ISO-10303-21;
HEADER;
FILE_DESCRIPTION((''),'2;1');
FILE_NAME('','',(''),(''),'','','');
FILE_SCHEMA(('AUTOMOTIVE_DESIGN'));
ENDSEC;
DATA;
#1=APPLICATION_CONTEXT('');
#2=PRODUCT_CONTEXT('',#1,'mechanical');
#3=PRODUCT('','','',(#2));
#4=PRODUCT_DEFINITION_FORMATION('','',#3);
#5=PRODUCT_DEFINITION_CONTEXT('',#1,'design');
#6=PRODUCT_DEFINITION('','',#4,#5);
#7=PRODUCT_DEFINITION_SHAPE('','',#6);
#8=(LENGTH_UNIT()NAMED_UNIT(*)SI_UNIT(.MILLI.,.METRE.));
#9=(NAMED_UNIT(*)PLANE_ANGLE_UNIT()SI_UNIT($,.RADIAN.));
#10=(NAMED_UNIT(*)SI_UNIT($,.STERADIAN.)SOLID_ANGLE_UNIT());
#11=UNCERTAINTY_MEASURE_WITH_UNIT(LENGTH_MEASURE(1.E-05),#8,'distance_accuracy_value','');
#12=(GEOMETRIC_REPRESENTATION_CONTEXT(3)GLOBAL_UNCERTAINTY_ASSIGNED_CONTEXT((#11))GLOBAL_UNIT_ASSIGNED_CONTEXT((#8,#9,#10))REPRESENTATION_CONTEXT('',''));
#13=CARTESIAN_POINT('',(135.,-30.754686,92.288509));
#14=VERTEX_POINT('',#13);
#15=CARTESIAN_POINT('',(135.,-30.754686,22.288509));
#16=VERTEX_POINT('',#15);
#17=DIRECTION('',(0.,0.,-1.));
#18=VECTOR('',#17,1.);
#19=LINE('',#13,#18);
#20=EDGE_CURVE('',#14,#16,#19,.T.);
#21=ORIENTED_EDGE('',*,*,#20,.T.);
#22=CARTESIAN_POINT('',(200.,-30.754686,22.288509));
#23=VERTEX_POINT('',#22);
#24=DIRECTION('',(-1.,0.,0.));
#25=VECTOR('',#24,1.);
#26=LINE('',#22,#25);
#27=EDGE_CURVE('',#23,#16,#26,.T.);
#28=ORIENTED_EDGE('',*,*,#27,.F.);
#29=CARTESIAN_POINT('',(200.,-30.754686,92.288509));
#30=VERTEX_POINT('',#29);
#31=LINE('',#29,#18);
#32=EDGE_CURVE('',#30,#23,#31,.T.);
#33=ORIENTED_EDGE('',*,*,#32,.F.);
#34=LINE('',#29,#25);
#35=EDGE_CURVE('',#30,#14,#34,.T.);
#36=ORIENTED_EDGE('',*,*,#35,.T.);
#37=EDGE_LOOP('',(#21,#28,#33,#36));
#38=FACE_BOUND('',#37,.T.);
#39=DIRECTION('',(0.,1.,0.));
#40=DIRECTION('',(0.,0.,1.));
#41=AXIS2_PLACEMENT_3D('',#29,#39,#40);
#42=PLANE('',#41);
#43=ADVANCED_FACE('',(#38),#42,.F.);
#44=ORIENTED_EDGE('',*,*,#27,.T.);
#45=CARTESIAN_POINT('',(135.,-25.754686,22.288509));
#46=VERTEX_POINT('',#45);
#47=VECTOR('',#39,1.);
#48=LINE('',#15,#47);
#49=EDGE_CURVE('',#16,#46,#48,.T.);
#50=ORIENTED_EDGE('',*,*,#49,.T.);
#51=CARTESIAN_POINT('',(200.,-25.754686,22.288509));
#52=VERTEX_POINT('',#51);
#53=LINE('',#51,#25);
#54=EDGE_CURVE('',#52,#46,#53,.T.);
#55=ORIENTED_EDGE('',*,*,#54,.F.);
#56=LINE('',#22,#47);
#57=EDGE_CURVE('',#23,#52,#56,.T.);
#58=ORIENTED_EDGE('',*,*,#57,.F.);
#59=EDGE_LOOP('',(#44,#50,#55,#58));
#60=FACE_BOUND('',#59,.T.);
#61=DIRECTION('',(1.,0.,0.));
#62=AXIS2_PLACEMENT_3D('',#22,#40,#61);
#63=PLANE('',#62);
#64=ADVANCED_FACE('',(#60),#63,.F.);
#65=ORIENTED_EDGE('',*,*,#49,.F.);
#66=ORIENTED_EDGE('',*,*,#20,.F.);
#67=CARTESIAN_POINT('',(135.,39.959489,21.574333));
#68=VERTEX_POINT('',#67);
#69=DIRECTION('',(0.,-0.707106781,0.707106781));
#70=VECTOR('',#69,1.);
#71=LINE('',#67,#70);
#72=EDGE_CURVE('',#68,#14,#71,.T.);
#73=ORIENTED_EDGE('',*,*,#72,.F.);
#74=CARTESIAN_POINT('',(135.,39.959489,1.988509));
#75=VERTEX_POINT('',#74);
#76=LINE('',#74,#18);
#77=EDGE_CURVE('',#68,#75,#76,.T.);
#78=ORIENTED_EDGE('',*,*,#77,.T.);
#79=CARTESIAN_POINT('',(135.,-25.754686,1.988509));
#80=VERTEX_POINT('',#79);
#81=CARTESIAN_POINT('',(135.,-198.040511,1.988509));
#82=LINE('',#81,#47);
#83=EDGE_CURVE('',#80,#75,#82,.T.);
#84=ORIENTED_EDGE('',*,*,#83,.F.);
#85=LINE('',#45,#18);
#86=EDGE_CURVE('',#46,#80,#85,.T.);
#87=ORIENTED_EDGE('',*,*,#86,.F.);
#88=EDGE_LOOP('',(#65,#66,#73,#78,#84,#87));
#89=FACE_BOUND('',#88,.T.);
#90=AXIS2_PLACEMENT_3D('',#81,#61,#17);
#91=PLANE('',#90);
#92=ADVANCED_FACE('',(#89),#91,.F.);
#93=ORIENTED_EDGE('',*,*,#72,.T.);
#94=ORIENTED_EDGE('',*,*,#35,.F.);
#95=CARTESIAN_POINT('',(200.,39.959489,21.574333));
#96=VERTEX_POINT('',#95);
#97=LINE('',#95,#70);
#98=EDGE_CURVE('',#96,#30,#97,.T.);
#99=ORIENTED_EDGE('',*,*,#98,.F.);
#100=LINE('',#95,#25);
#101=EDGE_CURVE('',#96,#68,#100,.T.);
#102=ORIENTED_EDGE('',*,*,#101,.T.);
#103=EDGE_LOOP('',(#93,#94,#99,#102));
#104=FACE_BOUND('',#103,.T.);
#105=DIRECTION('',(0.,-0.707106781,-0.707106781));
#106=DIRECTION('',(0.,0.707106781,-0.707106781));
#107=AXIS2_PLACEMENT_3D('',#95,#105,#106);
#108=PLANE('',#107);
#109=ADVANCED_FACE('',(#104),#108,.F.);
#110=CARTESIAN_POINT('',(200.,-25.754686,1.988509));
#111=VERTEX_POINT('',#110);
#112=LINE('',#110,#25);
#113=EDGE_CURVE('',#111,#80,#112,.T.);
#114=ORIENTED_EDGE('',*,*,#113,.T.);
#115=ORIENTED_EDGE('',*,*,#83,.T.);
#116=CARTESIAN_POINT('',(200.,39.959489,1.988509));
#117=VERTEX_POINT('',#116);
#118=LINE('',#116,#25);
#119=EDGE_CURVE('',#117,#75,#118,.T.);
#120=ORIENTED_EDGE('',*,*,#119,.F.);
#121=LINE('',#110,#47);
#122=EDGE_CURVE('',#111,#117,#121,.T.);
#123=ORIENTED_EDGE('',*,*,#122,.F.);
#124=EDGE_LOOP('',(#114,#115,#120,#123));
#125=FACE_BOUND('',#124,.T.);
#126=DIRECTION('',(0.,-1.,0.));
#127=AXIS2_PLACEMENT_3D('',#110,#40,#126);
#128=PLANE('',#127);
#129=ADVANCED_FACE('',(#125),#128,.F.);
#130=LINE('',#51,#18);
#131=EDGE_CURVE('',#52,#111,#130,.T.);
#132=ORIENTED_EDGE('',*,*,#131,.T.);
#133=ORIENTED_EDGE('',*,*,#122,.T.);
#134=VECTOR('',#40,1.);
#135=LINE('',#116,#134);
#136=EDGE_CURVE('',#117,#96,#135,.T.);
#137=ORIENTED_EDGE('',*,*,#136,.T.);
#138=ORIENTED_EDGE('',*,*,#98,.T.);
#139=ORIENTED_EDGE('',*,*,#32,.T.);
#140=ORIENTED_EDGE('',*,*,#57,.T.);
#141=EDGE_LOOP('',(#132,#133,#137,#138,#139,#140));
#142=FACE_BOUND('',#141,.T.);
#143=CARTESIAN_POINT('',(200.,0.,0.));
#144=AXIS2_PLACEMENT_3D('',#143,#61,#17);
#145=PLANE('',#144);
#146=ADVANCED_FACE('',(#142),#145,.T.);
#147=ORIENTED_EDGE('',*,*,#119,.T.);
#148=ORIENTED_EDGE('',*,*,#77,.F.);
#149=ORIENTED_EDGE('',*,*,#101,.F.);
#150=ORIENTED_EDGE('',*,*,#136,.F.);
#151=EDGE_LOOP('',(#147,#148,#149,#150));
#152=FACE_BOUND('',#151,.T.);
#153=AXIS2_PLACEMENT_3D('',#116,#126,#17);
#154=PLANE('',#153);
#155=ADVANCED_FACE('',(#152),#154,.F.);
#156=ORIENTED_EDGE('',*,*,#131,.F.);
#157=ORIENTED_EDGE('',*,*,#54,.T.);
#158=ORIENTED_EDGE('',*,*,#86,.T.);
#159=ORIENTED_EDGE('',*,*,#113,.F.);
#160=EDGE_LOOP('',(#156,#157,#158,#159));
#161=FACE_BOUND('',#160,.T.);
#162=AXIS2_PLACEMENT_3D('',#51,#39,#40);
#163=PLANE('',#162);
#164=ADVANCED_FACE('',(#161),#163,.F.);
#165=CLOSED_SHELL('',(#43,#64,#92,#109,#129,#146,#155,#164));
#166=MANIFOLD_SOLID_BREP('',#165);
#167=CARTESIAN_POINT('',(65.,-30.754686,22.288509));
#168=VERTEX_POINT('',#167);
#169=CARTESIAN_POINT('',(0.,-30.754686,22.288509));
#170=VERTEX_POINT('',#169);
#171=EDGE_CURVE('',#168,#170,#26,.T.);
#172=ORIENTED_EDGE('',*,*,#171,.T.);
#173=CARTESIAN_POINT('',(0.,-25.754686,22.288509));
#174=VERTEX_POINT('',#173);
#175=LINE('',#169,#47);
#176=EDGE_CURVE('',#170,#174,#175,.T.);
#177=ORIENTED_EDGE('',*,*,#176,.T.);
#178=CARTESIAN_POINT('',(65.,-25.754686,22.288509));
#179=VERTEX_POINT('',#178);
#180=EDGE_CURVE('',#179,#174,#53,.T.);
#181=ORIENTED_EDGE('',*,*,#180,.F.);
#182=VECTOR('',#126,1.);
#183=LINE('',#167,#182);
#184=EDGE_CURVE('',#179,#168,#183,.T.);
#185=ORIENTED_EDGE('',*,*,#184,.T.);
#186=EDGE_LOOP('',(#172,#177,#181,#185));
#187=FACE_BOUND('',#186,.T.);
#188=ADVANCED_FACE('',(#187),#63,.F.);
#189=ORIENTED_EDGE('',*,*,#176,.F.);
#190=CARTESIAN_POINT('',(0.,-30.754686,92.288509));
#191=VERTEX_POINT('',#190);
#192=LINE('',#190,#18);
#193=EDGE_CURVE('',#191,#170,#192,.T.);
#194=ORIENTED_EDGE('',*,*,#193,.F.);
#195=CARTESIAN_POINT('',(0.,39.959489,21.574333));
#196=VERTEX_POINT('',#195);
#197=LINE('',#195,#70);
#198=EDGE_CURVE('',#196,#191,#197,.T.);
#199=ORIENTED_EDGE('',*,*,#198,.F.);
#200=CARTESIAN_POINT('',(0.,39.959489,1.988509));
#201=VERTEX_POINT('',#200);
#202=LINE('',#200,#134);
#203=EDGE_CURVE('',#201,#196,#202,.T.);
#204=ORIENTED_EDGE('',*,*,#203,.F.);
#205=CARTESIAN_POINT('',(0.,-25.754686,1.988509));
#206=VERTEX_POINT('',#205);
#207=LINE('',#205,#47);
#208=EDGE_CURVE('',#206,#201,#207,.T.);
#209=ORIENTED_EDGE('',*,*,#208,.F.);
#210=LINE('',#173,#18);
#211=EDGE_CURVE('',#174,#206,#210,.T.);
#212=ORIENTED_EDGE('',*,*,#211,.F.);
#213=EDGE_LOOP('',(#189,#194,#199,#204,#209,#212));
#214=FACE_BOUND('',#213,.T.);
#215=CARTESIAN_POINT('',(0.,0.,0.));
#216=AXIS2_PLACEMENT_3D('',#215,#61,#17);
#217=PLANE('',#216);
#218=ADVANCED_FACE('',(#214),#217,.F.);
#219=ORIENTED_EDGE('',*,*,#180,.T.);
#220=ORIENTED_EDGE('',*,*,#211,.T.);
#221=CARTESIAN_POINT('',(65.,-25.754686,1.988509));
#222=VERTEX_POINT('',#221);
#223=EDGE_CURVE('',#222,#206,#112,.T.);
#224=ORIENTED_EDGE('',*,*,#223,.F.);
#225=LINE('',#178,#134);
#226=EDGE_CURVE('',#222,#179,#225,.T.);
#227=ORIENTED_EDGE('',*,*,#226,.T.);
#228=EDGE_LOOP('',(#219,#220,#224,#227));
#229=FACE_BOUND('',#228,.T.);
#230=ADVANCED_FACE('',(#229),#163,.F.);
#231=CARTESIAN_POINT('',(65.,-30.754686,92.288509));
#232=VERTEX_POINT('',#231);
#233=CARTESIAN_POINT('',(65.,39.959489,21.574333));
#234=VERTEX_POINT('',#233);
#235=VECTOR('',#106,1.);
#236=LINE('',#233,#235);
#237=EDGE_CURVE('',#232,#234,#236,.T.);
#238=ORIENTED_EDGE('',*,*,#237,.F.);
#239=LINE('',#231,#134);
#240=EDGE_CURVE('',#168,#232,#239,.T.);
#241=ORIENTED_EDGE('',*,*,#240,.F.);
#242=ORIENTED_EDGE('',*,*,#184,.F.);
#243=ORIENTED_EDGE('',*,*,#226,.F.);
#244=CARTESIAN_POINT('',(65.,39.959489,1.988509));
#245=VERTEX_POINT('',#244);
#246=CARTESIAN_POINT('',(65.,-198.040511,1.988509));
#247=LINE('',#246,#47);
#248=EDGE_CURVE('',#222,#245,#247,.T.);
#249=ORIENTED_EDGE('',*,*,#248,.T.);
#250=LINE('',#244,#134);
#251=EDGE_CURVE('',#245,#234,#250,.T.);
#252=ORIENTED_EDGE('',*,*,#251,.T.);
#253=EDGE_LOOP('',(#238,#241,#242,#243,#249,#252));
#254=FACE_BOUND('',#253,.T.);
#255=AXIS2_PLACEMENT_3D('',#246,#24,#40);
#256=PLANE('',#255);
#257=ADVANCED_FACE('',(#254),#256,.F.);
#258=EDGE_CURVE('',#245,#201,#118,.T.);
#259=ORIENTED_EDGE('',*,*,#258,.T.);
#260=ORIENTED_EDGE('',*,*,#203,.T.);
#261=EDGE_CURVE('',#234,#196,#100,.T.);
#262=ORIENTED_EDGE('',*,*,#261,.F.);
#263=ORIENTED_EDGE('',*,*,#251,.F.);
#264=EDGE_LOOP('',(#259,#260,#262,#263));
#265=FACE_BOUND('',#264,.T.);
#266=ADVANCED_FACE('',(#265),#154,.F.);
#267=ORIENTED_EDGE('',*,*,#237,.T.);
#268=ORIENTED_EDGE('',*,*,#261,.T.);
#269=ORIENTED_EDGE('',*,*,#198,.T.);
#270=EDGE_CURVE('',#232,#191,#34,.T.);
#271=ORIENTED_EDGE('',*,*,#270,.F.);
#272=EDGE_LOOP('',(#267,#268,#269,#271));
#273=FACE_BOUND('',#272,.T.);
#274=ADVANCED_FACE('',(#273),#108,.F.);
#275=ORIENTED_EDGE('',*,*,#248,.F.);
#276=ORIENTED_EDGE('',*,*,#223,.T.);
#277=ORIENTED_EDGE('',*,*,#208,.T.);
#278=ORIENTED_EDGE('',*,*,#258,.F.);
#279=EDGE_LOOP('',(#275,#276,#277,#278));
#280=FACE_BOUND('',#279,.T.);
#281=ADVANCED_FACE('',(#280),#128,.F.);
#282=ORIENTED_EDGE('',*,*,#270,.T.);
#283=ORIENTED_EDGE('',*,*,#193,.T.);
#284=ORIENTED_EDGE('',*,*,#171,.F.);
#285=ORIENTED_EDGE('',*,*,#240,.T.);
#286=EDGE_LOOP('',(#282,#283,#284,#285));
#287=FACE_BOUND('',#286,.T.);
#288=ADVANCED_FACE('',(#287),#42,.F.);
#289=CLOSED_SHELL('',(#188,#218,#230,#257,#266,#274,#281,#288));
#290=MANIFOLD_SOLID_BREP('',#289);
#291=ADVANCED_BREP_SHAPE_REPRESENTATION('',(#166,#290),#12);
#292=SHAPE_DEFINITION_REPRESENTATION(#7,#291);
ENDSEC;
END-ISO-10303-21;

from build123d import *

# Parameters (mm, degrees)
BOSS_EXTRUDE1_DEPTH = 200
SKETCH2_W           = 70
SKETCH2_H           = 90.3
CUT_EXTRUDE1_DEPTH  = 238


with BuildPart() as part:
    # Sketch1 → Boss-Extrude1 (new body)
    with BuildSketch(Plane(origin=(0, 0, 0), x_dir=(0, 0, -1), z_dir=(1, 0, 0))):
        Polygon((-1.988508557, 39.959489294), (-21.574333037, 39.959489294), (-92.288508557, -30.754686227), (-22.288508557, -30.754686227), (-22.288508557, -25.754686227), (-1.988508557, -25.754686227), align=None)
    extrude(amount=BOSS_EXTRUDE1_DEPTH)

    # Sketch2 → Cut-Extrude1 (cut)
    with BuildSketch(Plane(origin=(0, 39.959489294, 0), x_dir=(1, 0, 0), z_dir=(0, 1, 0))):
        with Locations((100, -47.138508557)):
            Rectangle(SKETCH2_W, SKETCH2_H)
    extrude(amount=-CUT_EXTRUDE1_DEPTH, mode=Mode.SUBTRACT)


solid = part.part
